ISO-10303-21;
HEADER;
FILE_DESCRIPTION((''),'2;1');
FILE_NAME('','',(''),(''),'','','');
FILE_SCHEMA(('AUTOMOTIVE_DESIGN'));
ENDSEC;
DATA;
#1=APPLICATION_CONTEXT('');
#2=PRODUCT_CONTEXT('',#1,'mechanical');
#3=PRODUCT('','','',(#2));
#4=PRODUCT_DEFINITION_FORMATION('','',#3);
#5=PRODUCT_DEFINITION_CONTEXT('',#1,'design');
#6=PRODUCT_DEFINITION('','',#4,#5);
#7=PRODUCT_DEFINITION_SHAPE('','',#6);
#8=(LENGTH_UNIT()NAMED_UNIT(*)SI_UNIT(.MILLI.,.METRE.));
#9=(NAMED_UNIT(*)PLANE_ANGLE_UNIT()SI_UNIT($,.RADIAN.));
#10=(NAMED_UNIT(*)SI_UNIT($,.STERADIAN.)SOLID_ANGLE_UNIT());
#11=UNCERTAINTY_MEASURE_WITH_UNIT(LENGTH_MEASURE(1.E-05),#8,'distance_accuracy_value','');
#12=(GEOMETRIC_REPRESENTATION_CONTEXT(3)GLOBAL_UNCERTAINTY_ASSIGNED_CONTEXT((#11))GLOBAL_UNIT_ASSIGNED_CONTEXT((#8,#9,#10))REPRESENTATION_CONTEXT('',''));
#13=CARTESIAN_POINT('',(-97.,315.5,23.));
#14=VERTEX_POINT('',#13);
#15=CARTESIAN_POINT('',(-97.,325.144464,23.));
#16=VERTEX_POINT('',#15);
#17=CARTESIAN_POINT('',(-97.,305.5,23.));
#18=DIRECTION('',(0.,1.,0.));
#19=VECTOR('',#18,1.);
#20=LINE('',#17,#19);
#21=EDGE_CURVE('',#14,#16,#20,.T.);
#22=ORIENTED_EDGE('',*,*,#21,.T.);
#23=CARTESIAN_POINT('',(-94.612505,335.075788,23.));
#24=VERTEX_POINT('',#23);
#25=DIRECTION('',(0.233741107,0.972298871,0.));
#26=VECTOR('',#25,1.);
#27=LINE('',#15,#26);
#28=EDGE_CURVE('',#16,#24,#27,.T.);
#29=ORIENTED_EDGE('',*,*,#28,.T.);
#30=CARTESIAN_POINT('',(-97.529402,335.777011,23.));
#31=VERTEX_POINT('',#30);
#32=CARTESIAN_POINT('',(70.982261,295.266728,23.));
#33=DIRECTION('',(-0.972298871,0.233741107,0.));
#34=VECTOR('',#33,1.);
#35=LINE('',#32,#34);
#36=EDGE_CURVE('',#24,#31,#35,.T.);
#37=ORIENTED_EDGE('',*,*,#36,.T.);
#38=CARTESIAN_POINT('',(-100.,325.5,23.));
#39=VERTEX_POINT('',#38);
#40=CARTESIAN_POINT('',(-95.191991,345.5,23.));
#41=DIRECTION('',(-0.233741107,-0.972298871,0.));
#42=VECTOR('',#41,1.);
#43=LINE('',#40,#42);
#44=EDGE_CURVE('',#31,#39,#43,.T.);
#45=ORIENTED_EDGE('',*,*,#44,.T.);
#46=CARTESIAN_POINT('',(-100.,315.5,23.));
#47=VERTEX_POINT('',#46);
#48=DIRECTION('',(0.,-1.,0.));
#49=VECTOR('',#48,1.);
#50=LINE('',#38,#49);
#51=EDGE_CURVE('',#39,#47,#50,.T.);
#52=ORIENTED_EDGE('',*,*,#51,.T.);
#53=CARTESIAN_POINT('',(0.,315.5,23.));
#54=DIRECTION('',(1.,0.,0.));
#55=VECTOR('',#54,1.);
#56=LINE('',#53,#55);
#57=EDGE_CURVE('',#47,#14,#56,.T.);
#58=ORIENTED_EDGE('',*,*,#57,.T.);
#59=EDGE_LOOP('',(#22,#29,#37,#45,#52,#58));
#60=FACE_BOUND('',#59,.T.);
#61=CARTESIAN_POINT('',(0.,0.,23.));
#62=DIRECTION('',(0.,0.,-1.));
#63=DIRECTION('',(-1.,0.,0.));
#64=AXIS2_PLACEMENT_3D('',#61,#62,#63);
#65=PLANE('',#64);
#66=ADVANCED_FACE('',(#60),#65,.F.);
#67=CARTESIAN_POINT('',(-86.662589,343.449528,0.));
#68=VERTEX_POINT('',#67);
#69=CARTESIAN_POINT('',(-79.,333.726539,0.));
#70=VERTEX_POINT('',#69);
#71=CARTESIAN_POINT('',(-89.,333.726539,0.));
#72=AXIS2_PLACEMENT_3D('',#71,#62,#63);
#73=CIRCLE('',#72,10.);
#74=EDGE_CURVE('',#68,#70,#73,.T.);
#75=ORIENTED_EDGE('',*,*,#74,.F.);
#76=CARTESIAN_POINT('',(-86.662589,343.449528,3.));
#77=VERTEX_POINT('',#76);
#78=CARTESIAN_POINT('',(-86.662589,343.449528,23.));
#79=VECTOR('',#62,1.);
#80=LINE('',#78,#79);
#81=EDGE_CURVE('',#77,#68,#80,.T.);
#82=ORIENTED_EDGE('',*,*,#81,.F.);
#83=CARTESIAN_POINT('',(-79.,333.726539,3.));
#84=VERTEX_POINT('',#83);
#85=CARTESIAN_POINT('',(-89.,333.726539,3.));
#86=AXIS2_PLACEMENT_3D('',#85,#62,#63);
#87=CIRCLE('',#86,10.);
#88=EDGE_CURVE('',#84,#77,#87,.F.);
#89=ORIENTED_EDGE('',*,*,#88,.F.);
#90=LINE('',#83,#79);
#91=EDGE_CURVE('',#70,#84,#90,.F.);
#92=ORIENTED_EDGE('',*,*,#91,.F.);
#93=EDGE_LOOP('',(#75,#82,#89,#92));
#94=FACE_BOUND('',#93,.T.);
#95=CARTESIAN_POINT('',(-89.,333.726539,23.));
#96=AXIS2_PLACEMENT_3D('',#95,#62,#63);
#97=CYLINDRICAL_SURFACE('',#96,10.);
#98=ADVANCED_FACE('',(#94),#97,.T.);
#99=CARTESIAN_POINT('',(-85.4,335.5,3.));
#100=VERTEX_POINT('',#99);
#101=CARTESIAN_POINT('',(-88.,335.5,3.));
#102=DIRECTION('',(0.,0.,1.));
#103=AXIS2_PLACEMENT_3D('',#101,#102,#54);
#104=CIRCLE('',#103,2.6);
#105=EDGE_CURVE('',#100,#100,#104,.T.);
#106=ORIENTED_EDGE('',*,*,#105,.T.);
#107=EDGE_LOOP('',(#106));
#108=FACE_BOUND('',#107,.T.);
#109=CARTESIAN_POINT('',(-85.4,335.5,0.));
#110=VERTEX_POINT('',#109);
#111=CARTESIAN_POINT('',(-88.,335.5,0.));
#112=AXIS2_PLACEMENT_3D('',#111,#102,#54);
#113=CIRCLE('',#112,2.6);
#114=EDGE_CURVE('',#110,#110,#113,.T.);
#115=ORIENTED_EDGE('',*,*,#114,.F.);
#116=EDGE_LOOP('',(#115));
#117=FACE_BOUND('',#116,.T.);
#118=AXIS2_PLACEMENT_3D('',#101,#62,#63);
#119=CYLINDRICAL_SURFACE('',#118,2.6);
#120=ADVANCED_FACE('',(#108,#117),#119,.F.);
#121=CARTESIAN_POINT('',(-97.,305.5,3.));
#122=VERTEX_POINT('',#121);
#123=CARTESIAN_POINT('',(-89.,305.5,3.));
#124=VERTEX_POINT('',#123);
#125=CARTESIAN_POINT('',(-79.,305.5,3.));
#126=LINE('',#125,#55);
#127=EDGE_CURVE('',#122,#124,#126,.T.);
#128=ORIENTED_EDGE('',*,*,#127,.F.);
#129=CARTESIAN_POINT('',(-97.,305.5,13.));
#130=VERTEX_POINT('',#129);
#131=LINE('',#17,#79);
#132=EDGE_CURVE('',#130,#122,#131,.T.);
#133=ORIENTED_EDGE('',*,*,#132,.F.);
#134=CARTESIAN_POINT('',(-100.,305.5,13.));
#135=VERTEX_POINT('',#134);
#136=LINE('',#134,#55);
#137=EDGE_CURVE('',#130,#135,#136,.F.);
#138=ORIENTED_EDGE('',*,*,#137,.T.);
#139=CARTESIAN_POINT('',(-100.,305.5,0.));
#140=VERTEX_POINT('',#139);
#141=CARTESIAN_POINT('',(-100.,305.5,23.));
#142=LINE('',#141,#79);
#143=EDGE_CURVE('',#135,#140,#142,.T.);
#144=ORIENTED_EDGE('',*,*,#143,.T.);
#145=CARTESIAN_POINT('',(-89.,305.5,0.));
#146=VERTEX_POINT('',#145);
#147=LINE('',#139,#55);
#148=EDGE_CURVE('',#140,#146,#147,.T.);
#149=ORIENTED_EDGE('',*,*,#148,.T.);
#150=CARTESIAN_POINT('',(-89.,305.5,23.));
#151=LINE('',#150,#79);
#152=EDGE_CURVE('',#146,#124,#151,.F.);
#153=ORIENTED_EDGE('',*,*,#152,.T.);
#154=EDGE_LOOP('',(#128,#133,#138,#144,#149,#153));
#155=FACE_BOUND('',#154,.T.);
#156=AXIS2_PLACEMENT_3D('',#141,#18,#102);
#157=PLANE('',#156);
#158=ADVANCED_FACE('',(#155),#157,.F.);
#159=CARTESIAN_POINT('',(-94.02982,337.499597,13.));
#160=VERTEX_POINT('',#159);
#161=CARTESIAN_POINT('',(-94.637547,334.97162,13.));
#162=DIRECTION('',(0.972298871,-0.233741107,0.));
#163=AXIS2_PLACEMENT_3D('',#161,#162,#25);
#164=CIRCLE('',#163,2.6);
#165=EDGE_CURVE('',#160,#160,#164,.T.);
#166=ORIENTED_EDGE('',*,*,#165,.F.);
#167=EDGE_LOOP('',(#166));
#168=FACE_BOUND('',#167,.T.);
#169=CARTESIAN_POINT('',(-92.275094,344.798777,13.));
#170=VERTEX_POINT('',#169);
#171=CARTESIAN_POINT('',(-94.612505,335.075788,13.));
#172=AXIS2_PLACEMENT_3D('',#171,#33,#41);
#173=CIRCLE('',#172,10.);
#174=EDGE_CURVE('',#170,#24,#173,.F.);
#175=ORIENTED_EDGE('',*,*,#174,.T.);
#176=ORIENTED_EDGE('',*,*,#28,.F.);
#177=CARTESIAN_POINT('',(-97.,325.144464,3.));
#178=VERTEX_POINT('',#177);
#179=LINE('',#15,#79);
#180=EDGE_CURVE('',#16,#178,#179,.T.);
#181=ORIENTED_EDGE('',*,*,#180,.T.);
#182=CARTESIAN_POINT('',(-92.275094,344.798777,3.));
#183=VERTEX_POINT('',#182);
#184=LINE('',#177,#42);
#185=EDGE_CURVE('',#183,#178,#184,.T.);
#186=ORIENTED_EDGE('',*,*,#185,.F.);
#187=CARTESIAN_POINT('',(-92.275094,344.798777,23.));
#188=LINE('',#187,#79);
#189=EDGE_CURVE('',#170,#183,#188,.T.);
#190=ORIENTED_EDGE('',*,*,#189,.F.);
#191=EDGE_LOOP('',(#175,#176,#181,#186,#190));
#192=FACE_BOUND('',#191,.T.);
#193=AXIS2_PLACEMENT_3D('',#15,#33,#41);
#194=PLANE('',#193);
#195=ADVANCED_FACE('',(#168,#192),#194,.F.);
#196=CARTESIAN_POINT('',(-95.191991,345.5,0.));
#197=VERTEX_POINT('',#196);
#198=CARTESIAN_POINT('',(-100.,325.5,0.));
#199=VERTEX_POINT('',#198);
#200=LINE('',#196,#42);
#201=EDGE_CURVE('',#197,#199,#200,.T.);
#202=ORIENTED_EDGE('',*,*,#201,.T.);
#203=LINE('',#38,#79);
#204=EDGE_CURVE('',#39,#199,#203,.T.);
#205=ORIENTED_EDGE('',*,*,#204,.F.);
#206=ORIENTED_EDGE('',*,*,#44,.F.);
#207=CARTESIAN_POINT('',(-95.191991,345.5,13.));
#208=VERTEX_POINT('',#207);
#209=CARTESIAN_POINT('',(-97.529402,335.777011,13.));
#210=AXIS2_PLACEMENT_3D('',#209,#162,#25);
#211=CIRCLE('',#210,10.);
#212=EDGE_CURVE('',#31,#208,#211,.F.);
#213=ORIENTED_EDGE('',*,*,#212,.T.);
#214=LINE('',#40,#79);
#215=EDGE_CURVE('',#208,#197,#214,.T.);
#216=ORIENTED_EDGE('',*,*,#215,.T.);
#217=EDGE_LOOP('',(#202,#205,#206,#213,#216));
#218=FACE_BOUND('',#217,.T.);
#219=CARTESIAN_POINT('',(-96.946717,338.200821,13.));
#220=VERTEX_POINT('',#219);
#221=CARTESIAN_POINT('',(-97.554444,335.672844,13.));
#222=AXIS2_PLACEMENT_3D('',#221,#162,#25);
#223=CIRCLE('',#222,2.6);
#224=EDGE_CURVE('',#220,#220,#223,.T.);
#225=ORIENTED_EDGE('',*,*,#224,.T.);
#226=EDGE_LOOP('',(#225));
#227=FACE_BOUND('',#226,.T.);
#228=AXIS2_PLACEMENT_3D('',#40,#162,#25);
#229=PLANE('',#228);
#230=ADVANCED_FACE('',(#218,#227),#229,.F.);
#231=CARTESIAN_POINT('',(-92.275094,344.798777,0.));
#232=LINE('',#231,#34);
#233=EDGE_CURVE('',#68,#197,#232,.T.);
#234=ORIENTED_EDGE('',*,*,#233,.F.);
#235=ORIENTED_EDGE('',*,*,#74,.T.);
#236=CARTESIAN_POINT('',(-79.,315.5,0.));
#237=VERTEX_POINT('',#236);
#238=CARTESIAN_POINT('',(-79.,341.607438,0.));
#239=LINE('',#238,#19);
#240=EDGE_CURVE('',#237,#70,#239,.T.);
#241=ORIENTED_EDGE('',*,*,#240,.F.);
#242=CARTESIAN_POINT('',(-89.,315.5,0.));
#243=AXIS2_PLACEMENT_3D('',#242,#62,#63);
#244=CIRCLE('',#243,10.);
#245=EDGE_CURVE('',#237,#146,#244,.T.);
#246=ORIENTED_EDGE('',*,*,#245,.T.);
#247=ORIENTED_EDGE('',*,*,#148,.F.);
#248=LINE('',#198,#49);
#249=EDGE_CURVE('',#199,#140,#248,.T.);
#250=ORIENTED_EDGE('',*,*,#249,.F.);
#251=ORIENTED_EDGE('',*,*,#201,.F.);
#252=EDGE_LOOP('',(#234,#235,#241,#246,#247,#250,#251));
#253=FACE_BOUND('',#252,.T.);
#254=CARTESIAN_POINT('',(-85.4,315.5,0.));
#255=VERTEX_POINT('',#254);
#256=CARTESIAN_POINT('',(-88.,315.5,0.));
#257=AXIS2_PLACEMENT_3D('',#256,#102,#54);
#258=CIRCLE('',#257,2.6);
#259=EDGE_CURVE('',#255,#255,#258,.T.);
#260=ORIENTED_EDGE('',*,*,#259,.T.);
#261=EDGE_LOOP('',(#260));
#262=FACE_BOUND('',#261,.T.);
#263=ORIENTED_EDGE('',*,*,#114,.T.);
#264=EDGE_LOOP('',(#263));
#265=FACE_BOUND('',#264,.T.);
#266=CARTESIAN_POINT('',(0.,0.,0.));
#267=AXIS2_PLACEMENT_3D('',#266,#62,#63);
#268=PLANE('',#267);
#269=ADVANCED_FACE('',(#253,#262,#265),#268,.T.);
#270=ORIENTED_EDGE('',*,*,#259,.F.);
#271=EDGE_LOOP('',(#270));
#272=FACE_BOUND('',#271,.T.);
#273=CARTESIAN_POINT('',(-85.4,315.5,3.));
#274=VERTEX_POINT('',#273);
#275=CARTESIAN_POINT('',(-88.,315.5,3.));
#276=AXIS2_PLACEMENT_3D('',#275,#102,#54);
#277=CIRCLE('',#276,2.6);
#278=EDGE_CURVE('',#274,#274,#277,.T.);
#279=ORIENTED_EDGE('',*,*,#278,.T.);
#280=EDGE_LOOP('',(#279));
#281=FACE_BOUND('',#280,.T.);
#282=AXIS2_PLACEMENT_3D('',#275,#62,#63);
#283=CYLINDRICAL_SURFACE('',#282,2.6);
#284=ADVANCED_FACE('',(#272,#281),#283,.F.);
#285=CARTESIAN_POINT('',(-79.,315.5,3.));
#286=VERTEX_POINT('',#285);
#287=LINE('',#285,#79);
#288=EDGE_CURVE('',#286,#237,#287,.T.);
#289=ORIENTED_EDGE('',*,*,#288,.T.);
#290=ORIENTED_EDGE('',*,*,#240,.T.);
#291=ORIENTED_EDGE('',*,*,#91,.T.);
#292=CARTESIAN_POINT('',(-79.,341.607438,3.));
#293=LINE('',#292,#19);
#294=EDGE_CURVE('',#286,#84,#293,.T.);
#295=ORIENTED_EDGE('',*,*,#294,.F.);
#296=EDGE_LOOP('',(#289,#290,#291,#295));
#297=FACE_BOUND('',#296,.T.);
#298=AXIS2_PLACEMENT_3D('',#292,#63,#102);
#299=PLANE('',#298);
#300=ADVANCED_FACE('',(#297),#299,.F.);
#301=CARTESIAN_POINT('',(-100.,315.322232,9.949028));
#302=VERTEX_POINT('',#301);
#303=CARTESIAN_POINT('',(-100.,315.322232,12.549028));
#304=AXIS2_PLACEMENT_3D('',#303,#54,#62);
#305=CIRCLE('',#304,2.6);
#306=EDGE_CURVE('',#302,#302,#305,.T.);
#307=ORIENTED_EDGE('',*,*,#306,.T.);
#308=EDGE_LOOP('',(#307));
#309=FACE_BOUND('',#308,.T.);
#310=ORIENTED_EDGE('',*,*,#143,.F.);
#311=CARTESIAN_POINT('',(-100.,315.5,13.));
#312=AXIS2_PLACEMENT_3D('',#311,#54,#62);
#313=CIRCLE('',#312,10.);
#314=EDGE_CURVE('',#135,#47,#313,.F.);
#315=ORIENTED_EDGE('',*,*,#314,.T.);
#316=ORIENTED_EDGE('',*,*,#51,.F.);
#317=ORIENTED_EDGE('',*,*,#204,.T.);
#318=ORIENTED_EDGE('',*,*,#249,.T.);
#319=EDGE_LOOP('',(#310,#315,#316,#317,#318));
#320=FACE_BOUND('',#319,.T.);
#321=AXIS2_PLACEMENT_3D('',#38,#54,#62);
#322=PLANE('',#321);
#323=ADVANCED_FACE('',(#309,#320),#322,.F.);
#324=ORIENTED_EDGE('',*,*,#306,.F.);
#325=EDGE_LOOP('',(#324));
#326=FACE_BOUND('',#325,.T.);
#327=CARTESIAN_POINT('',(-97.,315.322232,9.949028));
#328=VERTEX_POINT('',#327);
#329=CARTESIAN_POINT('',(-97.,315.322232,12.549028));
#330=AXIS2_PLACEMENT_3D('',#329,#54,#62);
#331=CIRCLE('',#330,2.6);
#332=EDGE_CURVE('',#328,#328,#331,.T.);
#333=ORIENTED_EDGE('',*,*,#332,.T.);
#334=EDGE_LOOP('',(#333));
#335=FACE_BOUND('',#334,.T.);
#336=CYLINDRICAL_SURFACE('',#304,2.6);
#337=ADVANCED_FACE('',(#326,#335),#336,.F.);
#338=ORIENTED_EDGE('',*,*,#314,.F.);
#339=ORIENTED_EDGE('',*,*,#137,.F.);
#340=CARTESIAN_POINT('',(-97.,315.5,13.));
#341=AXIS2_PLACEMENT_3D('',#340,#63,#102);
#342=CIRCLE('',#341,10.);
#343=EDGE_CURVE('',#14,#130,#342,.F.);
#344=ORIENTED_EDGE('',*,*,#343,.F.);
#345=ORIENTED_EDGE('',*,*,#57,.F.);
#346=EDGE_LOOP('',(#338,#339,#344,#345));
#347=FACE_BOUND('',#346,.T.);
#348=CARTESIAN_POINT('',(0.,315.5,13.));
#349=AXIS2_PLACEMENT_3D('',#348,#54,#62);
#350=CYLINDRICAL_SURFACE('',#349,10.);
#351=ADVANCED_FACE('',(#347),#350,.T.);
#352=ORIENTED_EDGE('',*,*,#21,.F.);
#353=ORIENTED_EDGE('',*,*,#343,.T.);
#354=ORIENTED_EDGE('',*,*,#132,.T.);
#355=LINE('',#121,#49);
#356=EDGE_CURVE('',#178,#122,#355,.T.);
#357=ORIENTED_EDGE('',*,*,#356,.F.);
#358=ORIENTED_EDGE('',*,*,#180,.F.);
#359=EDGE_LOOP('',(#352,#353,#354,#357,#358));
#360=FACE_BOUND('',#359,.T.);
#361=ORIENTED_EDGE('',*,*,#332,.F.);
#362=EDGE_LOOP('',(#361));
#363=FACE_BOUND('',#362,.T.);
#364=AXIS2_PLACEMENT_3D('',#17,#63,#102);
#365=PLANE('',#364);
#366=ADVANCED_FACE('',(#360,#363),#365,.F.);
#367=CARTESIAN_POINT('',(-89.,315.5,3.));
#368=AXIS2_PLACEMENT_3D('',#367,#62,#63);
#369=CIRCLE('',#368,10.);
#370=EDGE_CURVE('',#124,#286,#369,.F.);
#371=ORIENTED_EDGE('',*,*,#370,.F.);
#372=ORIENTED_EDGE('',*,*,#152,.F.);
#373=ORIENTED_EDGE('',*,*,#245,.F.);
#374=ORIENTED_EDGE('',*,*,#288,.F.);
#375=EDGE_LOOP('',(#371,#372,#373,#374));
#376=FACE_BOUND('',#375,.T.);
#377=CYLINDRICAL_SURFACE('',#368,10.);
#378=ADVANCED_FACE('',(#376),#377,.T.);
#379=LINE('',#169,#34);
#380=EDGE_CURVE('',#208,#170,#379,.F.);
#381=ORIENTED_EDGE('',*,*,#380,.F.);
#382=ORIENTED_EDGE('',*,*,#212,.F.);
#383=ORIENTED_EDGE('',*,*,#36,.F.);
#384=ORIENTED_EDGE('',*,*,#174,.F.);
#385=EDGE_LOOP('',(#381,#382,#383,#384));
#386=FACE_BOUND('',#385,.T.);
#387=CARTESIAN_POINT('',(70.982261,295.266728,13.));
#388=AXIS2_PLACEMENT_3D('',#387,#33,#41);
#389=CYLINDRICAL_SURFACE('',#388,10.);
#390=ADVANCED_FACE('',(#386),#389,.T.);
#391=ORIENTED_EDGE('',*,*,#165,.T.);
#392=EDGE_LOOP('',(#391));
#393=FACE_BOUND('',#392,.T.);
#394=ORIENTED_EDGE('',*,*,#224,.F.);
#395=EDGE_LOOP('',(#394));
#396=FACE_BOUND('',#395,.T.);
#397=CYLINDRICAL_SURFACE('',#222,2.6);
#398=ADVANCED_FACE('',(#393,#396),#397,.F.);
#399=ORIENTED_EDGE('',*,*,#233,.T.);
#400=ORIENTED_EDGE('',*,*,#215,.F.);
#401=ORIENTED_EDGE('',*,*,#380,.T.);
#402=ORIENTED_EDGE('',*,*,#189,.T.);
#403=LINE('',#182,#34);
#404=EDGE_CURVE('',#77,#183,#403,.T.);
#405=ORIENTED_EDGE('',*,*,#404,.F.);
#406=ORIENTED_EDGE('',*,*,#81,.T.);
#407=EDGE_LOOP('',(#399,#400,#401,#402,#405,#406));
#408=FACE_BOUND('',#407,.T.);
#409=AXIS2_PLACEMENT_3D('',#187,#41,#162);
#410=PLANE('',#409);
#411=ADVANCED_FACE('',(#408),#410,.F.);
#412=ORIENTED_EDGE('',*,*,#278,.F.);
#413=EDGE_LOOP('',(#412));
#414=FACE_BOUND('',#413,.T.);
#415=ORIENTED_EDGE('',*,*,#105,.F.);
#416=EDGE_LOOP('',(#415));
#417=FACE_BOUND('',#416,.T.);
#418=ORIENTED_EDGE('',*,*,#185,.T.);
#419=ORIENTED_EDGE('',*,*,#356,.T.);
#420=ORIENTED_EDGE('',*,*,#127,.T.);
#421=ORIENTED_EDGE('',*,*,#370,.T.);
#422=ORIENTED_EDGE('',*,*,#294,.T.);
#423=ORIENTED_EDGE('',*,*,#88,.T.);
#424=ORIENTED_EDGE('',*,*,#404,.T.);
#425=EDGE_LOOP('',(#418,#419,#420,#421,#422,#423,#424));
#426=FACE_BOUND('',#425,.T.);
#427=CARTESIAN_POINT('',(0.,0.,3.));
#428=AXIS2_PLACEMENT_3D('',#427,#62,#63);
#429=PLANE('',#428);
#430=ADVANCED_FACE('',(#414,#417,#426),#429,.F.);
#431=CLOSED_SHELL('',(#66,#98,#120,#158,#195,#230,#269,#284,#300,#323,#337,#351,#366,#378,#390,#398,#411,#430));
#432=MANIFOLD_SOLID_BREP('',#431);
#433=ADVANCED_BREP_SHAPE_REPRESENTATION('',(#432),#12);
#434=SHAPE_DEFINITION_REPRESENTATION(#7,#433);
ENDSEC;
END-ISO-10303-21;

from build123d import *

# Parameters (mm, degrees)
BOSS_EXTRU_1_DEPTH      = 23
ESQUISSE2_R             = 2.6
BOSS_EXTRU_2_DEPTH      = 3
ESQUISSE3_R             = 2.6
ENL_V_MAT_EXTRU_1_DEPTH = 3
ESQUISSE4_R             = 2.6
ENL_V_MAT_EXTRU_2_DEPTH = 3
CONG_1_R                = 10


with BuildPart() as part:
    # Esquisse1 → Boss.-Extru.1 (new body)
    with BuildSketch(Plane.XY):
        Polygon((-100, 325.5), (-100, 305.5), (-97, 305.5), (-97, 325.144463965), (-92.275093963, 344.79877668), (-95.191990577, 345.5), align=None)
    extrude(amount=BOSS_EXTRU_1_DEPTH)

    # Esquisse2 → Boss.-Extru.2 (add)
    with BuildSketch(Plane.XY):
        Polygon((-92.275093963, 344.79877668), (-79, 341.607437837), (-79, 305.5), (-97, 305.5), (-97, 325.144463965), align=None)
        with Locations((-88, 315.5)):
            Circle(ESQUISSE2_R, mode=Mode.SUBTRACT)
        with Locations((-88, 335.5)):
            Circle(ESQUISSE2_R, mode=Mode.SUBTRACT)
    extrude(amount=BOSS_EXTRU_2_DEPTH)

    # Esquisse3 → Enlèv. mat.-Extru.1 (cut)
    with BuildSketch(Plane(origin=(-97, 0, 0), x_dir=(0, 0, -1), z_dir=(1, 0, 0))):
        with Locations((-12.549028202, 315.322231983)):
            Circle(ESQUISSE3_R)
    extrude(amount=-ENL_V_MAT_EXTRU_1_DEPTH, mode=Mode.SUBTRACT)

    # Esquisse4 → Enlèv. mat.-Extru.2 (cut)
    with BuildSketch(Plane(origin=(-165.594765625, 39.809059675, 0), x_dir=(0, 0, -1), z_dir=(0.9722988712431988, -0.23374110673820697, 0))):
        with Locations(Location((-13, 303.571843368, 0), (0, 0, 90))):
            Circle(ESQUISSE4_R)
    extrude(amount=-ENL_V_MAT_EXTRU_2_DEPTH, mode=Mode.SUBTRACT)

    # Congé1
    cong_1_edges = [part.edges().sort_by_distance(p)[0] for p in [
        (-98.5, 305.5, 23),
        (-93.73354227, 345.14938834, 23),
        (-79, 305.5, 1.5),
        (-79, 341.607437837, 1.5),
    ]]
    fillet(cong_1_edges, radius=CONG_1_R)


solid = part.part
